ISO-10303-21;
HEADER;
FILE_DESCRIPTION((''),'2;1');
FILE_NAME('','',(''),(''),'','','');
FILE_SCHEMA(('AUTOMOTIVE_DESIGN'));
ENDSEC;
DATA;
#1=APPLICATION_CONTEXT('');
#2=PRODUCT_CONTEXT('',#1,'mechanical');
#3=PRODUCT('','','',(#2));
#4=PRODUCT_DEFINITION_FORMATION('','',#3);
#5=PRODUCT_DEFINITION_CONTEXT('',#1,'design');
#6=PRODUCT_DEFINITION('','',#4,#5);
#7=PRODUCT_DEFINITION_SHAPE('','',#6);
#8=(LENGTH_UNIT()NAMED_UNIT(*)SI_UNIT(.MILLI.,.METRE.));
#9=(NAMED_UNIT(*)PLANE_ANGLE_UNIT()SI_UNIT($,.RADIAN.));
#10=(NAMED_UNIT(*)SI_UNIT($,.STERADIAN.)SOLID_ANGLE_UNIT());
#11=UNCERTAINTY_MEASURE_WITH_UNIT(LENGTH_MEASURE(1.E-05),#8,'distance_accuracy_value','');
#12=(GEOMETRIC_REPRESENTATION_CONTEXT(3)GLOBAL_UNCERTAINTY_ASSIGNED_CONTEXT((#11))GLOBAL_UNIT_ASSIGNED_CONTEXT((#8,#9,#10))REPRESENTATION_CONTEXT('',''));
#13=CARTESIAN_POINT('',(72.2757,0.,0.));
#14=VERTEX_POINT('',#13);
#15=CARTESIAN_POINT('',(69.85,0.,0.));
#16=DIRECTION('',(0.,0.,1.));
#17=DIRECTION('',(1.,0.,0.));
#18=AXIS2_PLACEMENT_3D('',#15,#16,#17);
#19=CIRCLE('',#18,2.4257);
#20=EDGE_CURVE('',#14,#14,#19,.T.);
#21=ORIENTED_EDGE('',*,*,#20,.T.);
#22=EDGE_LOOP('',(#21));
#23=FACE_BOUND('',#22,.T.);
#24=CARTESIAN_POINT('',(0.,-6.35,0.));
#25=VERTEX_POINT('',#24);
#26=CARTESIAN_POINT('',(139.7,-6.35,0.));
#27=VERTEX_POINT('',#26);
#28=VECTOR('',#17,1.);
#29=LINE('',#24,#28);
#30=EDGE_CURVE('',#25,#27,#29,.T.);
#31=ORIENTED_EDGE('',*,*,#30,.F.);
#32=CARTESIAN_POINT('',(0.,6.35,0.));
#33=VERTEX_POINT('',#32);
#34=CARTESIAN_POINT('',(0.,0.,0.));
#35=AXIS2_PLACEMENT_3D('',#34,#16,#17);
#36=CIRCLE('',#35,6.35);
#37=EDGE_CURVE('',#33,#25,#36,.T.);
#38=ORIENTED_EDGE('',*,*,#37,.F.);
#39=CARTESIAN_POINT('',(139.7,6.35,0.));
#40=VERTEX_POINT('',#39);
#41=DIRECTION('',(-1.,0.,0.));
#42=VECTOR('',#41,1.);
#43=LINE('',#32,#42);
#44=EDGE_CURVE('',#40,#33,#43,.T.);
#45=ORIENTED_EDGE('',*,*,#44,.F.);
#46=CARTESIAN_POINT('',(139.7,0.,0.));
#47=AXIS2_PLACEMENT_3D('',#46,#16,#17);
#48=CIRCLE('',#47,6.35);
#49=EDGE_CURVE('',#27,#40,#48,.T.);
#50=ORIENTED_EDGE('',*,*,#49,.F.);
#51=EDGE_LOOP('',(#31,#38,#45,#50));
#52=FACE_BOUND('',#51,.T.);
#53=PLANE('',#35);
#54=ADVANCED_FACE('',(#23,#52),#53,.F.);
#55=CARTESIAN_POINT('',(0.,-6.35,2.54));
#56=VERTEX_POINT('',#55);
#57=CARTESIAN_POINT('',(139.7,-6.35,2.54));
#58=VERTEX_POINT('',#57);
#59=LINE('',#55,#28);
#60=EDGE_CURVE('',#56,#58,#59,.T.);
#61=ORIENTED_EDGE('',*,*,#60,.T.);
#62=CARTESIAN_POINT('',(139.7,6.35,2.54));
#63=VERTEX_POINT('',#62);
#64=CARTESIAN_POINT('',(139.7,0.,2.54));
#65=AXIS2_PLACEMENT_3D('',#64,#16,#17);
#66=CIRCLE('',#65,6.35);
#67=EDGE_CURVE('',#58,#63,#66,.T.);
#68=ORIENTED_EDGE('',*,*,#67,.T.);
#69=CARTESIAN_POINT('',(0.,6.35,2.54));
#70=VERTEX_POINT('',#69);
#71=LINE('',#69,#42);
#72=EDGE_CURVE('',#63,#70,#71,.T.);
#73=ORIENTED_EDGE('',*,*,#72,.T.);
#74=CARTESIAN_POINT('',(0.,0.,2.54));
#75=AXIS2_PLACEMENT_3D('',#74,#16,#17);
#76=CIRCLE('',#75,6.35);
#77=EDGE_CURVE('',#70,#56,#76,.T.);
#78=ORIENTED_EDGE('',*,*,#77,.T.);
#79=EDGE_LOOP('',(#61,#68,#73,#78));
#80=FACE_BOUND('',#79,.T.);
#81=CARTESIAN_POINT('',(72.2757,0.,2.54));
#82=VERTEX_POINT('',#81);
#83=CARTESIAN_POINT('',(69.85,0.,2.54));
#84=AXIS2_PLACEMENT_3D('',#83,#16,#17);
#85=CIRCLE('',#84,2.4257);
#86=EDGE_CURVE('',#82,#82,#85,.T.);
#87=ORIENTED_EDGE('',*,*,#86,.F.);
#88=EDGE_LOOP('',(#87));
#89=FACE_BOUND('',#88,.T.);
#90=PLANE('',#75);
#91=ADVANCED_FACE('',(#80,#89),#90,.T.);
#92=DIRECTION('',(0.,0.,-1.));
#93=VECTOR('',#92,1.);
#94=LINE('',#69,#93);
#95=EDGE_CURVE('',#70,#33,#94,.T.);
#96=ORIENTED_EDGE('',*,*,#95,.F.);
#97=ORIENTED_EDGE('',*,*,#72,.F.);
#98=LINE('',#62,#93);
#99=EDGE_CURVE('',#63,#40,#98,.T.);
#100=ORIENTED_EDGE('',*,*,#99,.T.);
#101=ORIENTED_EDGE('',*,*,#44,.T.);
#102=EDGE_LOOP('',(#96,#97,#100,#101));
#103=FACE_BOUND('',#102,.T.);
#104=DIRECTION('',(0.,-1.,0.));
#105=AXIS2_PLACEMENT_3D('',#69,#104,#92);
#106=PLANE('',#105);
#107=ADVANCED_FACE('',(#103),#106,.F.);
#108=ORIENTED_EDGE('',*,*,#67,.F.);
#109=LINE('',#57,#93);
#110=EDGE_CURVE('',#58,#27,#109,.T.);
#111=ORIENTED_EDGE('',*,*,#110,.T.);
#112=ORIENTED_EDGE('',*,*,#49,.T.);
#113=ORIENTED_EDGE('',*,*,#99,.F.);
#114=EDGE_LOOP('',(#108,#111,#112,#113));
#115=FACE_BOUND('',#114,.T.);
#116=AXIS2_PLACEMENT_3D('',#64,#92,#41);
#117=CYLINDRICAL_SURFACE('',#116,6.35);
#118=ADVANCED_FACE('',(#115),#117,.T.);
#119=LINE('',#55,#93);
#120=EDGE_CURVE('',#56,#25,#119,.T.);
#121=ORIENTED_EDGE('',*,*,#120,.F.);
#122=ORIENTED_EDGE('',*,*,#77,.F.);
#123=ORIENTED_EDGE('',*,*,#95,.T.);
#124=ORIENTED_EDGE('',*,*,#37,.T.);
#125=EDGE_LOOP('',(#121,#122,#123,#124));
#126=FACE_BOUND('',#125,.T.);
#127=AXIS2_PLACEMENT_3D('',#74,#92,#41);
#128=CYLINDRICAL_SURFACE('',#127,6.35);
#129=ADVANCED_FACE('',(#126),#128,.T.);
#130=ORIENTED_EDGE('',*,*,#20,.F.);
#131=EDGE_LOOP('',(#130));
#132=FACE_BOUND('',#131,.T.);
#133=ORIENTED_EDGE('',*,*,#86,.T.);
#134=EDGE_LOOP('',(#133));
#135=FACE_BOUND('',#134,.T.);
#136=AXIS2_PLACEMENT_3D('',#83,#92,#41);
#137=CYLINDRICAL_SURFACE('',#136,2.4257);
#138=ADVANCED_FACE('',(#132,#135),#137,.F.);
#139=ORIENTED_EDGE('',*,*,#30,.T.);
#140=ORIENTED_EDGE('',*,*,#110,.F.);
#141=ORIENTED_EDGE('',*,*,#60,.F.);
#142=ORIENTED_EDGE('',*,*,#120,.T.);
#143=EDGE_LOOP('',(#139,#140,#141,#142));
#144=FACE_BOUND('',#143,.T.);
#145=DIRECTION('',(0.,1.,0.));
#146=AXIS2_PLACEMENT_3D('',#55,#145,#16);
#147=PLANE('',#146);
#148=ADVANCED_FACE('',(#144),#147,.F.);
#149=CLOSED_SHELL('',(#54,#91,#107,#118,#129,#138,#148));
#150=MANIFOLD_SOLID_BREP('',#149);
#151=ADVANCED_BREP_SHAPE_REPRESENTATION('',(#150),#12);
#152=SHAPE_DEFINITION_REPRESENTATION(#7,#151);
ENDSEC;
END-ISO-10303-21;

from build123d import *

# Parameters (mm, degrees)
SKETCH1_R           = 2.4257
BOSS_EXTRUDE1_DEPTH = 2.54


with BuildPart() as part:
    # Sketch1 → Boss-Extrude1 (new body)
    with BuildSketch(Plane.XY):
        with BuildLine():
            Line((0, 6.35), (139.7, 6.35))
            ThreePointArc((139.7, 6.35), (146.05, 0), (139.7, -6.35))
            Line((139.7, -6.35), (0, -6.35))
            ThreePointArc((0, -6.35), (-6.35, 0), (0, 6.35))
        make_face()
        with Locations((69.85, 0)):
            Circle(SKETCH1_R, mode=Mode.SUBTRACT)
    extrude(amount=BOSS_EXTRUDE1_DEPTH)


solid = part.part
